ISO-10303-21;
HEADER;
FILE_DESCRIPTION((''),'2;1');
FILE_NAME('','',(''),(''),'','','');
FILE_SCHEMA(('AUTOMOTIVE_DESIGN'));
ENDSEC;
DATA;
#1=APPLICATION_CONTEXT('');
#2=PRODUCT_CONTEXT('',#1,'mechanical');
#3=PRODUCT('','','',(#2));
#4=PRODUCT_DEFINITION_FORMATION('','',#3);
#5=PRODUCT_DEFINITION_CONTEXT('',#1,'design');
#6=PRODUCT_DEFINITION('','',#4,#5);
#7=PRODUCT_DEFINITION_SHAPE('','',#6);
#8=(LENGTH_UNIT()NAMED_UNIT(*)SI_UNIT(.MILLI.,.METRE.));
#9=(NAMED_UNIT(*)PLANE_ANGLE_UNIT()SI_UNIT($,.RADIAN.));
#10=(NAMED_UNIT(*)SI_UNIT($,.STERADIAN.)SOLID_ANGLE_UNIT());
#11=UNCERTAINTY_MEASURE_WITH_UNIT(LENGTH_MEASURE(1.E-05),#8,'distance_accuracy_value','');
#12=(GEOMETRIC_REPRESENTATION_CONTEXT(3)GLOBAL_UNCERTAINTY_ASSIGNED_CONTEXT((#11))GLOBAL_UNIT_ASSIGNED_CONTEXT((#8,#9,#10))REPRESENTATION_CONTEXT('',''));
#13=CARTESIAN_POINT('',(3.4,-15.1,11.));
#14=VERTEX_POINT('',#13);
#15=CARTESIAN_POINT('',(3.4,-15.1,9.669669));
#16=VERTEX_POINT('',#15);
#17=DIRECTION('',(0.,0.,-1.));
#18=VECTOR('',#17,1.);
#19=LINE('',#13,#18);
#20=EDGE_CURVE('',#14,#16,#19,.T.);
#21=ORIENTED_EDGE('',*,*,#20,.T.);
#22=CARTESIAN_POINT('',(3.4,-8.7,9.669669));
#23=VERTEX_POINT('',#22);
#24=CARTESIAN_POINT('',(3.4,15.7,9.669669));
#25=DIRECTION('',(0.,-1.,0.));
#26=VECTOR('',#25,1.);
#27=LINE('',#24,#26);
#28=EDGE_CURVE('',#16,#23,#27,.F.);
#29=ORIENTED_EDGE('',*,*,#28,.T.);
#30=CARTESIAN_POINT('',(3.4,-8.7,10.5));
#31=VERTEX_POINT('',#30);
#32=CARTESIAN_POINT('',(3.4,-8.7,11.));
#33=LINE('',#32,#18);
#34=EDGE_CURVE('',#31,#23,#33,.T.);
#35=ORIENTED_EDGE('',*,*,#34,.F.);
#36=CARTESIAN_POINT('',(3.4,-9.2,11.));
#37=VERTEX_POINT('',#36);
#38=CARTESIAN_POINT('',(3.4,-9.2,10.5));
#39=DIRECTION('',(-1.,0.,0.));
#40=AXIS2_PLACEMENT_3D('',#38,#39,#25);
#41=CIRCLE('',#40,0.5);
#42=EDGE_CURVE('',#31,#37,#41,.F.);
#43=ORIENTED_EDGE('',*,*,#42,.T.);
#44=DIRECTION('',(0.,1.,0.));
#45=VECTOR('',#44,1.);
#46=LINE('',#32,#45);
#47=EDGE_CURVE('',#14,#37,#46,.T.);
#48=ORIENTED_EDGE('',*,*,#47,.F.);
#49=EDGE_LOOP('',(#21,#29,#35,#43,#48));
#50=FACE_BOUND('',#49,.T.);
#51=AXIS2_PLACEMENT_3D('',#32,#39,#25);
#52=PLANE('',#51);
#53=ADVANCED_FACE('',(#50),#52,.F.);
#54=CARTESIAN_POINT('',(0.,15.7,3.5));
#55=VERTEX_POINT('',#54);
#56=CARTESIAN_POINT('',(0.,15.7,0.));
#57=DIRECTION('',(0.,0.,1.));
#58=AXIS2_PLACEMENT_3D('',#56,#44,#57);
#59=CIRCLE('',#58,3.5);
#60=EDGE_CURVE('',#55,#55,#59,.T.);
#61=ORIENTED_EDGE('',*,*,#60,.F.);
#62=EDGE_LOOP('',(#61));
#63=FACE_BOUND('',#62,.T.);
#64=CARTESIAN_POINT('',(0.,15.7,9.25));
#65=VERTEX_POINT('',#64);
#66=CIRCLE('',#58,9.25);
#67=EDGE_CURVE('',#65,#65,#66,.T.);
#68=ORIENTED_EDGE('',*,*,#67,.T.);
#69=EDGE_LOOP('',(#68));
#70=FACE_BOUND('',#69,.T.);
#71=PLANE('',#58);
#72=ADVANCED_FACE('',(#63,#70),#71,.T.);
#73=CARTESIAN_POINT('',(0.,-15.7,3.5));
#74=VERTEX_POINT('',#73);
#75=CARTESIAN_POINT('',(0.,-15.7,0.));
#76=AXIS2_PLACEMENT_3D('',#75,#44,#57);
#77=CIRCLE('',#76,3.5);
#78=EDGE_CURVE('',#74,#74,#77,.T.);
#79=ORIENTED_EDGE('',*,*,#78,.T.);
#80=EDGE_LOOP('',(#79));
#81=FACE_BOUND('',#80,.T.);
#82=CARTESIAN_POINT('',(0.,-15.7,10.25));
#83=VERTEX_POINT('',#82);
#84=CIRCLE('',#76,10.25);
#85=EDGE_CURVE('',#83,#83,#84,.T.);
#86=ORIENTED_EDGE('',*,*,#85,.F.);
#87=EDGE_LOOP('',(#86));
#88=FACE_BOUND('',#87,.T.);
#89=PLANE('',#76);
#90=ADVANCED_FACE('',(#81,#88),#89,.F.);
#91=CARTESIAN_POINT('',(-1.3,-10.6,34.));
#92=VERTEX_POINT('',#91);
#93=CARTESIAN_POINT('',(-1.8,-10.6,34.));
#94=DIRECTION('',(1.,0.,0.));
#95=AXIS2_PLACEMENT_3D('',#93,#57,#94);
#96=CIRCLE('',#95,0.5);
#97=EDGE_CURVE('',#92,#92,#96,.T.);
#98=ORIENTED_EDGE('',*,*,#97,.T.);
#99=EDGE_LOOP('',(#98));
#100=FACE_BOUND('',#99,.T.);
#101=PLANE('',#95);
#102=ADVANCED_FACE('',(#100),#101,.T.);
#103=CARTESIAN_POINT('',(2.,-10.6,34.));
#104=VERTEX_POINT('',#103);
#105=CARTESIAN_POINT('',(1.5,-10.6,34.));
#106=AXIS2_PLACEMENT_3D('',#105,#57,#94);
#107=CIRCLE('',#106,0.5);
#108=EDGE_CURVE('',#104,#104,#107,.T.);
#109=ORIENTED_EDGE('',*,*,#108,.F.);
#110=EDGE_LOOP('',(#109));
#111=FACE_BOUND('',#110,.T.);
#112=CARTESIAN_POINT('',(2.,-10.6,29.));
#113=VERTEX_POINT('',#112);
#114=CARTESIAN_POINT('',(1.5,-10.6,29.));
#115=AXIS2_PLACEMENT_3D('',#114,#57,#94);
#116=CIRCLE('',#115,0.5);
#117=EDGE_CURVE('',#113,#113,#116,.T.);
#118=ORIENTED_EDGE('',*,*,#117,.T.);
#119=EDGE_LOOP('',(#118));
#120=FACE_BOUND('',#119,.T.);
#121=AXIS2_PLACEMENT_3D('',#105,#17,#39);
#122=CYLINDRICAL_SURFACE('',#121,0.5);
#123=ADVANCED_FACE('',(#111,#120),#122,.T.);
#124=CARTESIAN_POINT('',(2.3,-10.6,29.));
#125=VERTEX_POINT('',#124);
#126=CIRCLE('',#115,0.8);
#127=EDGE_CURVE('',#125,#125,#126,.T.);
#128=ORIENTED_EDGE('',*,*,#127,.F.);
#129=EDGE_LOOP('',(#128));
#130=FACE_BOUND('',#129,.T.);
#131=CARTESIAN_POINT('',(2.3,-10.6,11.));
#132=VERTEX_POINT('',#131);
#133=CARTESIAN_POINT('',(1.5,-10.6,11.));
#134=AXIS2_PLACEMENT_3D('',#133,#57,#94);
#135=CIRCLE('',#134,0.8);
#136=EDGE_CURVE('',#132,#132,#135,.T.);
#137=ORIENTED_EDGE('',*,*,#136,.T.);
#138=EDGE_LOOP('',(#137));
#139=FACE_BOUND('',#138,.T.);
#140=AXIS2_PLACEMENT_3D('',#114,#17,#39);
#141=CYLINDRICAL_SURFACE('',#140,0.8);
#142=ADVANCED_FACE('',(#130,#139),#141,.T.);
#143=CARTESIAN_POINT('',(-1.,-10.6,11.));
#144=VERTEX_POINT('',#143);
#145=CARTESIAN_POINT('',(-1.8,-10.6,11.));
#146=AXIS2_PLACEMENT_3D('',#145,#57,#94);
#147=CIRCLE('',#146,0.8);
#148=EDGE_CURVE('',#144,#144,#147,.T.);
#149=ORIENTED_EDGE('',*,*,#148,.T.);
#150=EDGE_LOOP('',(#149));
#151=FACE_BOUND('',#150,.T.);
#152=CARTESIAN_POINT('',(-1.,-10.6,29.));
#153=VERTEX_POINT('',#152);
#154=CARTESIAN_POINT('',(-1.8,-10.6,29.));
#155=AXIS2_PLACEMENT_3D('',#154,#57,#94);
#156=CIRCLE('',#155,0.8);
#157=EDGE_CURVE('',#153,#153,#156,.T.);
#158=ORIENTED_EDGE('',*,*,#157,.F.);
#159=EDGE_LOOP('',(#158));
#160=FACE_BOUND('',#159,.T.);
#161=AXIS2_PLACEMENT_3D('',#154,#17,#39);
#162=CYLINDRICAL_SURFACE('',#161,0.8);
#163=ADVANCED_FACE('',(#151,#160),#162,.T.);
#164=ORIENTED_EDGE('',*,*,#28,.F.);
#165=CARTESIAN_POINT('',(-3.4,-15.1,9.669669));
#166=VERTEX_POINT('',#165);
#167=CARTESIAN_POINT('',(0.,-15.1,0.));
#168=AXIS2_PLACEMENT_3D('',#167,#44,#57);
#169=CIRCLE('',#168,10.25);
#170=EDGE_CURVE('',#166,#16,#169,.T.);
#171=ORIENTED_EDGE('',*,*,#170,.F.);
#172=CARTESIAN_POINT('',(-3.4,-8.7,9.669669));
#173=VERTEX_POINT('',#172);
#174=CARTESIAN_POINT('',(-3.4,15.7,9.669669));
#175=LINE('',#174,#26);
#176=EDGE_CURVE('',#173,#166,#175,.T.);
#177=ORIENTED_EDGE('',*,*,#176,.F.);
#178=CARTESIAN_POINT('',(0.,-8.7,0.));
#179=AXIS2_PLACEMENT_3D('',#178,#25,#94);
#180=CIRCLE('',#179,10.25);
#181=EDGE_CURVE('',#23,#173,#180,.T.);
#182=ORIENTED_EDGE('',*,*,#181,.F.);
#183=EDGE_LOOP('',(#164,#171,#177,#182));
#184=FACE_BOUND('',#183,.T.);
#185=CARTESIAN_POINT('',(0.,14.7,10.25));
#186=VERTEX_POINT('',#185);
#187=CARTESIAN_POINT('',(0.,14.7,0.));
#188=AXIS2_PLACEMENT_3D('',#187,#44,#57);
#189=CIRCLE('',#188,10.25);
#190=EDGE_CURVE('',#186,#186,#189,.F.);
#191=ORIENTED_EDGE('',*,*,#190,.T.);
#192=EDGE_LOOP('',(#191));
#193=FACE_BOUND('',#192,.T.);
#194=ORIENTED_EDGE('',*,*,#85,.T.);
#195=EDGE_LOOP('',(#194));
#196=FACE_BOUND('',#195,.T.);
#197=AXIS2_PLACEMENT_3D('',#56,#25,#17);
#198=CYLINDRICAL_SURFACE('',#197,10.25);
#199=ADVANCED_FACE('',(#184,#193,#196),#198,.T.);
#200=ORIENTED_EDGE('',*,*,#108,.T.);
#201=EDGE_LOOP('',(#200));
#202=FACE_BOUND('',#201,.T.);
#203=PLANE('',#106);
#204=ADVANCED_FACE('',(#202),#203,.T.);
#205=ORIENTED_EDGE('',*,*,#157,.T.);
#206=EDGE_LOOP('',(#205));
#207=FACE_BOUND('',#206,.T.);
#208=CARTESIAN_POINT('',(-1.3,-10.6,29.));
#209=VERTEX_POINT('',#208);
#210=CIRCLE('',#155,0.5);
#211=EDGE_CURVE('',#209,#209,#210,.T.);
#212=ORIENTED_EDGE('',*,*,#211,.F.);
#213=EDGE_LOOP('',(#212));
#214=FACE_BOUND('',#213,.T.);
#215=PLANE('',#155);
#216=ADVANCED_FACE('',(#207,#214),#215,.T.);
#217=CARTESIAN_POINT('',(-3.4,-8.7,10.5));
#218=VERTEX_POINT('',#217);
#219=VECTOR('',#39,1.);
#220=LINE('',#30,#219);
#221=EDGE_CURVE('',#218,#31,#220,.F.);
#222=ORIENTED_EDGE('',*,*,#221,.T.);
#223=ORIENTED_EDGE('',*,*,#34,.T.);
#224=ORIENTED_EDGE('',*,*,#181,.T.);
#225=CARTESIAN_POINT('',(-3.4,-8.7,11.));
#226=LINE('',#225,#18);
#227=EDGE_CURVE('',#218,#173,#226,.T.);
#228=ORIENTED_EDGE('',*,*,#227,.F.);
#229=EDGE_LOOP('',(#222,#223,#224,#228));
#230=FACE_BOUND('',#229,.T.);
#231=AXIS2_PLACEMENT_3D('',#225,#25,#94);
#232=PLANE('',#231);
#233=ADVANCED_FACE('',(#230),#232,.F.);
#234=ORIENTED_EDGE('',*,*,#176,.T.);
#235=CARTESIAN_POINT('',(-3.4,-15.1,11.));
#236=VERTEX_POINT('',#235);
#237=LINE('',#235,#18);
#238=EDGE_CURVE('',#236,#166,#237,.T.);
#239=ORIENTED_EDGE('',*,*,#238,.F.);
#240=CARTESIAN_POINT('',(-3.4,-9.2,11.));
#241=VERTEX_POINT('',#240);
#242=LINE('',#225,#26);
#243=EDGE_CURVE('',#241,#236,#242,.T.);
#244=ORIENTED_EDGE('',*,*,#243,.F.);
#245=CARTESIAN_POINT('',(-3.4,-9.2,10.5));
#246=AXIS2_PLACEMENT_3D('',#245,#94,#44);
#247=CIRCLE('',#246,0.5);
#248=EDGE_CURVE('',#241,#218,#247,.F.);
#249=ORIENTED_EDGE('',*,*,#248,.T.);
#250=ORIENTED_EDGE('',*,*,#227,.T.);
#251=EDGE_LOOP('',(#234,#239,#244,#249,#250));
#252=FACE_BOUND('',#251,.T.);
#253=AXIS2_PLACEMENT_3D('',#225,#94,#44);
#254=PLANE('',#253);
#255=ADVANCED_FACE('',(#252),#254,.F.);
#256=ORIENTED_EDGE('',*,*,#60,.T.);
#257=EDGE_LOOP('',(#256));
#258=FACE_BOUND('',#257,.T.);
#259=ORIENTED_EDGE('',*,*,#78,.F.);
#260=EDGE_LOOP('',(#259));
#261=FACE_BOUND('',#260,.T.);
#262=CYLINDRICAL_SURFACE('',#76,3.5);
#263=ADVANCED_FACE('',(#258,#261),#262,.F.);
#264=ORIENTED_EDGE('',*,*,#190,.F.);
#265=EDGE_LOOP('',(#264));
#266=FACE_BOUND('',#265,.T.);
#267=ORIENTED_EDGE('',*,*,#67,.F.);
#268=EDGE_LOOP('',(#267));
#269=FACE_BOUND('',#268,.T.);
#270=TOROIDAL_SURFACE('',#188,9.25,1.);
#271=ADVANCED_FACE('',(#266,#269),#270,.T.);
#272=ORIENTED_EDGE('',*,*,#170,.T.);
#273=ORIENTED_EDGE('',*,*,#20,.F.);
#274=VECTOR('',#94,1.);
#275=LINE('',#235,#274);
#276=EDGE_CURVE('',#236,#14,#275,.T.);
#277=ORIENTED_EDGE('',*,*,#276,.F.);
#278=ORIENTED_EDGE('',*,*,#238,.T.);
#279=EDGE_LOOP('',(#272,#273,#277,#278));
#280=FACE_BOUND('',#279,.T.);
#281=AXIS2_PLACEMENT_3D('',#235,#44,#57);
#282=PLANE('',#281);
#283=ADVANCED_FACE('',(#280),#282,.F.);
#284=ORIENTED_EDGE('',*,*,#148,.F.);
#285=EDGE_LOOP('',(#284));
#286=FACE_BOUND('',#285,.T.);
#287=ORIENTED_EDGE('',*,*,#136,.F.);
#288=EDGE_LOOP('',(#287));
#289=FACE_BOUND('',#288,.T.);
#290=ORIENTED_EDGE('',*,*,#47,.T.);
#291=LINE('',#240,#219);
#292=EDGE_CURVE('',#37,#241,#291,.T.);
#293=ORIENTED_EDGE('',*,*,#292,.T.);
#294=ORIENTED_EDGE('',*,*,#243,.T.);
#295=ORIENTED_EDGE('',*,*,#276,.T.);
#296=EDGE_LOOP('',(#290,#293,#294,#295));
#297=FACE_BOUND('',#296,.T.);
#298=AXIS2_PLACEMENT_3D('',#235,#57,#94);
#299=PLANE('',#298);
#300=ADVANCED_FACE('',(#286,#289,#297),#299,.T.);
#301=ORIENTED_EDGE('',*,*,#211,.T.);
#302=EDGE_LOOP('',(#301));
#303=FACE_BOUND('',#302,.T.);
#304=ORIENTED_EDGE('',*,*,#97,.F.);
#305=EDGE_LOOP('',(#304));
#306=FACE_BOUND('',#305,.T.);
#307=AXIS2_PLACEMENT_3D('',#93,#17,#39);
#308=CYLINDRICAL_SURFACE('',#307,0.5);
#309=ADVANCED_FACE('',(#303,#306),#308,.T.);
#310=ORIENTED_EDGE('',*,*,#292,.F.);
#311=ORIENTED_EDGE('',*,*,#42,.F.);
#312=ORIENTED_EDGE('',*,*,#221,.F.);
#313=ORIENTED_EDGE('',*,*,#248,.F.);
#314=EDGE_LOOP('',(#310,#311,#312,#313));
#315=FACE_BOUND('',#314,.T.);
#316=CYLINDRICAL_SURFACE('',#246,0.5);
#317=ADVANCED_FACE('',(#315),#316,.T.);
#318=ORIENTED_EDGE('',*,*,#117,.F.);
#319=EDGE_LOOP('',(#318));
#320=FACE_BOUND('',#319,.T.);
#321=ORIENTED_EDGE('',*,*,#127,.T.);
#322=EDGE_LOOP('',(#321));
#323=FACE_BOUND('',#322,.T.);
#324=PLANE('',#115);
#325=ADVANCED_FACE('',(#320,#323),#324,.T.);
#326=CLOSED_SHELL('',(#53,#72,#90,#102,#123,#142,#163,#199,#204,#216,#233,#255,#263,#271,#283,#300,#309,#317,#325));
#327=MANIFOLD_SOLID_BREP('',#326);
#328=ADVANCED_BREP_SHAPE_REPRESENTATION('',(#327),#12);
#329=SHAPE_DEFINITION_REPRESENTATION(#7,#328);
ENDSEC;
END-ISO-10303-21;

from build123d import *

# Parameters (mm, degrees)
BASE_SKETCH_R       = 10.25
BASE_EXTRUDE_DEPTH  = 15.7
BODY_FILLET_R       = 1
WIRE_BASE_SKETCH_W  = 6.8
WIRE_BASE_SKETCH_H  = 6.4
WIRE_BASE_DEPTH     = 11
WIRE_BASE_FILLET_R  = 0.5
WIRE_START_SKETCH_R = 0.8
WIRE_START_DEPTH    = 18
WIRE_END_SKETCH_R   = 0.5
WIRE_END_DEPTH      = 5
THRU_HOLE_SKETCH_R  = 3.5
THRU_HOLE_DEPTH     = 48.402768906


with BuildPart() as part:
    # Base Sketch → Base Extrude (new, symmetric)
    with BuildSketch(Plane(origin=(0, 0, 0), x_dir=(1, 0, 0), z_dir=(0, 1, 0))):
        with Locations(Location((0, 0, 0), (0, 0, 270))):
            Circle(BASE_SKETCH_R)
    extrude(amount=BASE_EXTRUDE_DEPTH, both=True)

    # Body Fillet
    body_fillet_edges = [part.edges().sort_by_distance(p)[0] for p in [
        (0, 15.7, -10.25),
    ]]
    fillet(body_fillet_edges, radius=BODY_FILLET_R)

    # Wire Base Sketch → Wire Base (add)
    with BuildSketch(Plane.XY):
        with Locations((0, -11.9)):
            Rectangle(WIRE_BASE_SKETCH_W, WIRE_BASE_SKETCH_H)
    extrude(amount=WIRE_BASE_DEPTH)

    # Wire Base Fillet
    wire_base_fillet_edges = [part.edges().sort_by_distance(p)[0] for p in [
        (0, -8.7, 11),
    ]]
    fillet(wire_base_fillet_edges, radius=WIRE_BASE_FILLET_R)

    # Wire Start Sketch → Wire Start (add)
    with BuildSketch(Plane.XY.offset(11)):
        with Locations((-1.8, -10.6)):
            Circle(WIRE_START_SKETCH_R)
        with Locations((1.5, -10.6)):
            Circle(WIRE_START_SKETCH_R)
    extrude(amount=WIRE_START_DEPTH)

    # Wire End Sketch → Wire End (add)
    with BuildSketch(Plane.XY.offset(29)):
        with Locations((1.5, -10.6)):
            Circle(WIRE_END_SKETCH_R)
        with Locations((-1.8, -10.6)):
            Circle(WIRE_END_SKETCH_R)
    extrude(amount=WIRE_END_DEPTH)

    # Thru Hole Sketch → Thru Hole (cut, through all)
    with BuildSketch(Plane(origin=(0, 15.7, 0), x_dir=(1, 0, 0), z_dir=(0, 1, 0))):
        with Locations(Location((0, 0, 0), (0, 0, 270))):
            Circle(THRU_HOLE_SKETCH_R)
    extrude(amount=-THRU_HOLE_DEPTH, mode=Mode.SUBTRACT)


solid = part.part
